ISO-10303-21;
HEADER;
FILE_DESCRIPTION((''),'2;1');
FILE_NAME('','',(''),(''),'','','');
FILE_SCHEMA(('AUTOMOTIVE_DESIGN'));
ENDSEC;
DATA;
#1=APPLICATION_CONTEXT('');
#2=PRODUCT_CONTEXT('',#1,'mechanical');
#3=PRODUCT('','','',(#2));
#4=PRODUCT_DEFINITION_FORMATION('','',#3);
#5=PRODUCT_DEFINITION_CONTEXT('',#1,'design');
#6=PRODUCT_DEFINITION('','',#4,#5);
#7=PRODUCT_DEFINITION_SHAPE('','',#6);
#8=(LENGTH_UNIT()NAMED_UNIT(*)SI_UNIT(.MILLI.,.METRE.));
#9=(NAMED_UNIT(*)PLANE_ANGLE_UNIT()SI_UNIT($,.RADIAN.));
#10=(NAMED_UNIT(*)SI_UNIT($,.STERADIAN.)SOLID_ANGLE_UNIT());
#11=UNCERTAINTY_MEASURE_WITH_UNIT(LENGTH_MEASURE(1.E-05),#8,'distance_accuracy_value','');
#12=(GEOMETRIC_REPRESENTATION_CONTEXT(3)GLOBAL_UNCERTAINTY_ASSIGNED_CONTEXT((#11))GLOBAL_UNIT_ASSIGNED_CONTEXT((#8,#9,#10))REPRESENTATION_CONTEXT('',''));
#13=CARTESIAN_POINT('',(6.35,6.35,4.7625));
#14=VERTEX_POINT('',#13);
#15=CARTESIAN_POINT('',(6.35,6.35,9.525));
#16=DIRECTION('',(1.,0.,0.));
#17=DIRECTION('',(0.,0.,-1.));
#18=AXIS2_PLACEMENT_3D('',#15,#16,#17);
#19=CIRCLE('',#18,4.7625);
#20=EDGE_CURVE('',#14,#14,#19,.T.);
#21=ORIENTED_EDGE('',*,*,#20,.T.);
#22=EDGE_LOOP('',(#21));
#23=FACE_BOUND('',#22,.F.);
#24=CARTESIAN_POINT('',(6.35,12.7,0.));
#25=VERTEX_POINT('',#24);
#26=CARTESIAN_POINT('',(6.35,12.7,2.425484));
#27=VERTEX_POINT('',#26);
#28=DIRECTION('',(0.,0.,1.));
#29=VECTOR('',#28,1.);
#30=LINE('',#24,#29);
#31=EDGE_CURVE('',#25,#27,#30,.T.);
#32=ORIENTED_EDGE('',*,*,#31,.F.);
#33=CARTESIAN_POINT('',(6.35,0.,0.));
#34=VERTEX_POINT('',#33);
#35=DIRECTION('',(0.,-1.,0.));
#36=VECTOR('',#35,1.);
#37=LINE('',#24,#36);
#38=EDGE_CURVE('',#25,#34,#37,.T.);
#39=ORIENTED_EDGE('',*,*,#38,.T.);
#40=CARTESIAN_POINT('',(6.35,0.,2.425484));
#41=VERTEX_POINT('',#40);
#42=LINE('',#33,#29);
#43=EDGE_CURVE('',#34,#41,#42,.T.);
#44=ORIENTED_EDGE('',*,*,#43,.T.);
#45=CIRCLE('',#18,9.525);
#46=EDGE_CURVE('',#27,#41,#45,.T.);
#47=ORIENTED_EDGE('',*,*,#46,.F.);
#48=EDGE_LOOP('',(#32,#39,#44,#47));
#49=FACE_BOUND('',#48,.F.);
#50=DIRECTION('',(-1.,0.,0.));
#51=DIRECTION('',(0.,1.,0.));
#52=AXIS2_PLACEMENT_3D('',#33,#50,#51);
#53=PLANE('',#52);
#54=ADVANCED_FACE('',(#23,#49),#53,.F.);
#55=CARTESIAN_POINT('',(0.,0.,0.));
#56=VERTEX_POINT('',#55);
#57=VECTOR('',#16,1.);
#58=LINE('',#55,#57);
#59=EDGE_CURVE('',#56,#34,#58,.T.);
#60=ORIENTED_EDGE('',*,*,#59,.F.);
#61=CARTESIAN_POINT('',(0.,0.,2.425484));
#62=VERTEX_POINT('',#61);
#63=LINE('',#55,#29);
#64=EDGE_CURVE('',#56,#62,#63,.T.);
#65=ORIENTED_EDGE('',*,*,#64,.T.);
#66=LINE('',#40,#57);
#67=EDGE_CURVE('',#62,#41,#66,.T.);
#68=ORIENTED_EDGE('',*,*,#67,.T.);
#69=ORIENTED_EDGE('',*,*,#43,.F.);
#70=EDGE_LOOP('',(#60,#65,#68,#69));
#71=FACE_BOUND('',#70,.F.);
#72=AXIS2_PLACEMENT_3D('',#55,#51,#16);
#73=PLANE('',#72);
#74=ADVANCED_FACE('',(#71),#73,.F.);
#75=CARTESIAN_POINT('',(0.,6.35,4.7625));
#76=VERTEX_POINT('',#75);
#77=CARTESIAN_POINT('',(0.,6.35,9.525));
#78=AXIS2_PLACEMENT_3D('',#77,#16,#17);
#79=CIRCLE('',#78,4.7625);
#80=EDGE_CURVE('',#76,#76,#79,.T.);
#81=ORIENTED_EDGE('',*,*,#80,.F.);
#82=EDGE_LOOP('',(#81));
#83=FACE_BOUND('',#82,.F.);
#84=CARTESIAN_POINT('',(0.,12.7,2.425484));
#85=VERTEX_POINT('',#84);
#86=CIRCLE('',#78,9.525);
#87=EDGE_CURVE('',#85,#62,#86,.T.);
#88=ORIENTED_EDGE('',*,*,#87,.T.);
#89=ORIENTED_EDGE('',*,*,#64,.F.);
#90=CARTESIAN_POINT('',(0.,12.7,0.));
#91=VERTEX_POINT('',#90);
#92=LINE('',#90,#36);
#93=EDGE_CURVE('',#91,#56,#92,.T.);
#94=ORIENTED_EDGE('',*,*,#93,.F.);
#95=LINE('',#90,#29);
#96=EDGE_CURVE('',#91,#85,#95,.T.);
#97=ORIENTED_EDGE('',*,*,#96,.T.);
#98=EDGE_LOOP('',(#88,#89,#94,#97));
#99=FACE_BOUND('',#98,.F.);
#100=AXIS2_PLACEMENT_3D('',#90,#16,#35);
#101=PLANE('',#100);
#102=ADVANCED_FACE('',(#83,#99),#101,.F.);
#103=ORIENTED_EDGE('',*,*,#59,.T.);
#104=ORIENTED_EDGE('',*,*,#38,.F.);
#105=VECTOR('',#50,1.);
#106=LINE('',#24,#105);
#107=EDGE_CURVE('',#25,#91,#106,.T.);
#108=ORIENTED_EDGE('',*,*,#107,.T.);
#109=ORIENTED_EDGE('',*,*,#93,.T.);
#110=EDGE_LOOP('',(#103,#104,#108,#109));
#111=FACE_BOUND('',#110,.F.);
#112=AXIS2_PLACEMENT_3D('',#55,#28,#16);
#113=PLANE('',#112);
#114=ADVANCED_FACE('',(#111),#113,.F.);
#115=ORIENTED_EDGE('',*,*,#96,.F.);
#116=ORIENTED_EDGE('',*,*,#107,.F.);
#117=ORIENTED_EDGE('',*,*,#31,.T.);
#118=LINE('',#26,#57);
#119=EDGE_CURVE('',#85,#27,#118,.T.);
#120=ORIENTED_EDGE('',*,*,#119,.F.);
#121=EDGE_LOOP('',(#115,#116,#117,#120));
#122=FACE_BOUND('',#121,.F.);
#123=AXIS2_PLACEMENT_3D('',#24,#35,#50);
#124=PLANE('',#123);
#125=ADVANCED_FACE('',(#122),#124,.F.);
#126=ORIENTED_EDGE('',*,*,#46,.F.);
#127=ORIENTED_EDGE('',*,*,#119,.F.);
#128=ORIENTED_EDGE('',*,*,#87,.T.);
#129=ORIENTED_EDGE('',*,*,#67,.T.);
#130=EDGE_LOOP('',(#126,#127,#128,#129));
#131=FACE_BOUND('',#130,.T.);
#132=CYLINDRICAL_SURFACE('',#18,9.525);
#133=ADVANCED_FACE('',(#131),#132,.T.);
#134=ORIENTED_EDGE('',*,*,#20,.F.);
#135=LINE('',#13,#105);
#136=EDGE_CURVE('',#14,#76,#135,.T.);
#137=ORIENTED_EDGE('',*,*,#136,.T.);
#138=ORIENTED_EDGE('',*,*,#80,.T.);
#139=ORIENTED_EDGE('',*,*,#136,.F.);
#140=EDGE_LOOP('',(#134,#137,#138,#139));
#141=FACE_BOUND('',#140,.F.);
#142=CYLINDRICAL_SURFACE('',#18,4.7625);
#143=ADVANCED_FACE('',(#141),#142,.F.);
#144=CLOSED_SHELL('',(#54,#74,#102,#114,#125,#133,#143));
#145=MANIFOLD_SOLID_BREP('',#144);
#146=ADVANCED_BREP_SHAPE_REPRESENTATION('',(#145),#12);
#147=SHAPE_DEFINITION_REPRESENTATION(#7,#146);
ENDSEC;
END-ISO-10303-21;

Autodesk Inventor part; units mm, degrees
ref_plane "YZ Plane" through (0, 0, 0) normal (1, 0, 0) x (0, 1, 0)
ref_plane "XZ Plane" through (0, 0, 0) normal (0, 1, 0) x (-1, 0, 0)
ref_plane "XY Plane" through (0, 0, 0) normal (0, 0, 1) x (1, 0, 0)
sketch "Sketch1" plane through (0, 0, 0) normal (0, 0, 1) x (1, 0, 0)
  line L0 (0, 0) -> (6.35, 0)
  line L1 (6.35, 0) -> (6.35, 12.7)
  line L2 (6.35, 12.7) -> (0, 12.7)
  line L3 (0, 12.7) -> (0, 0)
  dimension "d0" = 6.35
  dimension "d1" = 12.7
extrude "Extrusion1" add sketch "Sketch1" along normal blind 3.175
sketch "Sketch2" plane through (6.35, 0, 0) normal (1, 0, 0) x (0, 0, -1)
  circle A0 centre (-9.525, 6.35) radius 9.525
  line L0 (0, 0) -> (0, 12.7) projected
  circle A1 centre (-9.525, 6.35) radius 4.7625
  dimension "d4" = 9.525
extrude "Extrusion2" add sketch "Sketch2" against normal blind 6.35
properties part number "Wall Hoop"
